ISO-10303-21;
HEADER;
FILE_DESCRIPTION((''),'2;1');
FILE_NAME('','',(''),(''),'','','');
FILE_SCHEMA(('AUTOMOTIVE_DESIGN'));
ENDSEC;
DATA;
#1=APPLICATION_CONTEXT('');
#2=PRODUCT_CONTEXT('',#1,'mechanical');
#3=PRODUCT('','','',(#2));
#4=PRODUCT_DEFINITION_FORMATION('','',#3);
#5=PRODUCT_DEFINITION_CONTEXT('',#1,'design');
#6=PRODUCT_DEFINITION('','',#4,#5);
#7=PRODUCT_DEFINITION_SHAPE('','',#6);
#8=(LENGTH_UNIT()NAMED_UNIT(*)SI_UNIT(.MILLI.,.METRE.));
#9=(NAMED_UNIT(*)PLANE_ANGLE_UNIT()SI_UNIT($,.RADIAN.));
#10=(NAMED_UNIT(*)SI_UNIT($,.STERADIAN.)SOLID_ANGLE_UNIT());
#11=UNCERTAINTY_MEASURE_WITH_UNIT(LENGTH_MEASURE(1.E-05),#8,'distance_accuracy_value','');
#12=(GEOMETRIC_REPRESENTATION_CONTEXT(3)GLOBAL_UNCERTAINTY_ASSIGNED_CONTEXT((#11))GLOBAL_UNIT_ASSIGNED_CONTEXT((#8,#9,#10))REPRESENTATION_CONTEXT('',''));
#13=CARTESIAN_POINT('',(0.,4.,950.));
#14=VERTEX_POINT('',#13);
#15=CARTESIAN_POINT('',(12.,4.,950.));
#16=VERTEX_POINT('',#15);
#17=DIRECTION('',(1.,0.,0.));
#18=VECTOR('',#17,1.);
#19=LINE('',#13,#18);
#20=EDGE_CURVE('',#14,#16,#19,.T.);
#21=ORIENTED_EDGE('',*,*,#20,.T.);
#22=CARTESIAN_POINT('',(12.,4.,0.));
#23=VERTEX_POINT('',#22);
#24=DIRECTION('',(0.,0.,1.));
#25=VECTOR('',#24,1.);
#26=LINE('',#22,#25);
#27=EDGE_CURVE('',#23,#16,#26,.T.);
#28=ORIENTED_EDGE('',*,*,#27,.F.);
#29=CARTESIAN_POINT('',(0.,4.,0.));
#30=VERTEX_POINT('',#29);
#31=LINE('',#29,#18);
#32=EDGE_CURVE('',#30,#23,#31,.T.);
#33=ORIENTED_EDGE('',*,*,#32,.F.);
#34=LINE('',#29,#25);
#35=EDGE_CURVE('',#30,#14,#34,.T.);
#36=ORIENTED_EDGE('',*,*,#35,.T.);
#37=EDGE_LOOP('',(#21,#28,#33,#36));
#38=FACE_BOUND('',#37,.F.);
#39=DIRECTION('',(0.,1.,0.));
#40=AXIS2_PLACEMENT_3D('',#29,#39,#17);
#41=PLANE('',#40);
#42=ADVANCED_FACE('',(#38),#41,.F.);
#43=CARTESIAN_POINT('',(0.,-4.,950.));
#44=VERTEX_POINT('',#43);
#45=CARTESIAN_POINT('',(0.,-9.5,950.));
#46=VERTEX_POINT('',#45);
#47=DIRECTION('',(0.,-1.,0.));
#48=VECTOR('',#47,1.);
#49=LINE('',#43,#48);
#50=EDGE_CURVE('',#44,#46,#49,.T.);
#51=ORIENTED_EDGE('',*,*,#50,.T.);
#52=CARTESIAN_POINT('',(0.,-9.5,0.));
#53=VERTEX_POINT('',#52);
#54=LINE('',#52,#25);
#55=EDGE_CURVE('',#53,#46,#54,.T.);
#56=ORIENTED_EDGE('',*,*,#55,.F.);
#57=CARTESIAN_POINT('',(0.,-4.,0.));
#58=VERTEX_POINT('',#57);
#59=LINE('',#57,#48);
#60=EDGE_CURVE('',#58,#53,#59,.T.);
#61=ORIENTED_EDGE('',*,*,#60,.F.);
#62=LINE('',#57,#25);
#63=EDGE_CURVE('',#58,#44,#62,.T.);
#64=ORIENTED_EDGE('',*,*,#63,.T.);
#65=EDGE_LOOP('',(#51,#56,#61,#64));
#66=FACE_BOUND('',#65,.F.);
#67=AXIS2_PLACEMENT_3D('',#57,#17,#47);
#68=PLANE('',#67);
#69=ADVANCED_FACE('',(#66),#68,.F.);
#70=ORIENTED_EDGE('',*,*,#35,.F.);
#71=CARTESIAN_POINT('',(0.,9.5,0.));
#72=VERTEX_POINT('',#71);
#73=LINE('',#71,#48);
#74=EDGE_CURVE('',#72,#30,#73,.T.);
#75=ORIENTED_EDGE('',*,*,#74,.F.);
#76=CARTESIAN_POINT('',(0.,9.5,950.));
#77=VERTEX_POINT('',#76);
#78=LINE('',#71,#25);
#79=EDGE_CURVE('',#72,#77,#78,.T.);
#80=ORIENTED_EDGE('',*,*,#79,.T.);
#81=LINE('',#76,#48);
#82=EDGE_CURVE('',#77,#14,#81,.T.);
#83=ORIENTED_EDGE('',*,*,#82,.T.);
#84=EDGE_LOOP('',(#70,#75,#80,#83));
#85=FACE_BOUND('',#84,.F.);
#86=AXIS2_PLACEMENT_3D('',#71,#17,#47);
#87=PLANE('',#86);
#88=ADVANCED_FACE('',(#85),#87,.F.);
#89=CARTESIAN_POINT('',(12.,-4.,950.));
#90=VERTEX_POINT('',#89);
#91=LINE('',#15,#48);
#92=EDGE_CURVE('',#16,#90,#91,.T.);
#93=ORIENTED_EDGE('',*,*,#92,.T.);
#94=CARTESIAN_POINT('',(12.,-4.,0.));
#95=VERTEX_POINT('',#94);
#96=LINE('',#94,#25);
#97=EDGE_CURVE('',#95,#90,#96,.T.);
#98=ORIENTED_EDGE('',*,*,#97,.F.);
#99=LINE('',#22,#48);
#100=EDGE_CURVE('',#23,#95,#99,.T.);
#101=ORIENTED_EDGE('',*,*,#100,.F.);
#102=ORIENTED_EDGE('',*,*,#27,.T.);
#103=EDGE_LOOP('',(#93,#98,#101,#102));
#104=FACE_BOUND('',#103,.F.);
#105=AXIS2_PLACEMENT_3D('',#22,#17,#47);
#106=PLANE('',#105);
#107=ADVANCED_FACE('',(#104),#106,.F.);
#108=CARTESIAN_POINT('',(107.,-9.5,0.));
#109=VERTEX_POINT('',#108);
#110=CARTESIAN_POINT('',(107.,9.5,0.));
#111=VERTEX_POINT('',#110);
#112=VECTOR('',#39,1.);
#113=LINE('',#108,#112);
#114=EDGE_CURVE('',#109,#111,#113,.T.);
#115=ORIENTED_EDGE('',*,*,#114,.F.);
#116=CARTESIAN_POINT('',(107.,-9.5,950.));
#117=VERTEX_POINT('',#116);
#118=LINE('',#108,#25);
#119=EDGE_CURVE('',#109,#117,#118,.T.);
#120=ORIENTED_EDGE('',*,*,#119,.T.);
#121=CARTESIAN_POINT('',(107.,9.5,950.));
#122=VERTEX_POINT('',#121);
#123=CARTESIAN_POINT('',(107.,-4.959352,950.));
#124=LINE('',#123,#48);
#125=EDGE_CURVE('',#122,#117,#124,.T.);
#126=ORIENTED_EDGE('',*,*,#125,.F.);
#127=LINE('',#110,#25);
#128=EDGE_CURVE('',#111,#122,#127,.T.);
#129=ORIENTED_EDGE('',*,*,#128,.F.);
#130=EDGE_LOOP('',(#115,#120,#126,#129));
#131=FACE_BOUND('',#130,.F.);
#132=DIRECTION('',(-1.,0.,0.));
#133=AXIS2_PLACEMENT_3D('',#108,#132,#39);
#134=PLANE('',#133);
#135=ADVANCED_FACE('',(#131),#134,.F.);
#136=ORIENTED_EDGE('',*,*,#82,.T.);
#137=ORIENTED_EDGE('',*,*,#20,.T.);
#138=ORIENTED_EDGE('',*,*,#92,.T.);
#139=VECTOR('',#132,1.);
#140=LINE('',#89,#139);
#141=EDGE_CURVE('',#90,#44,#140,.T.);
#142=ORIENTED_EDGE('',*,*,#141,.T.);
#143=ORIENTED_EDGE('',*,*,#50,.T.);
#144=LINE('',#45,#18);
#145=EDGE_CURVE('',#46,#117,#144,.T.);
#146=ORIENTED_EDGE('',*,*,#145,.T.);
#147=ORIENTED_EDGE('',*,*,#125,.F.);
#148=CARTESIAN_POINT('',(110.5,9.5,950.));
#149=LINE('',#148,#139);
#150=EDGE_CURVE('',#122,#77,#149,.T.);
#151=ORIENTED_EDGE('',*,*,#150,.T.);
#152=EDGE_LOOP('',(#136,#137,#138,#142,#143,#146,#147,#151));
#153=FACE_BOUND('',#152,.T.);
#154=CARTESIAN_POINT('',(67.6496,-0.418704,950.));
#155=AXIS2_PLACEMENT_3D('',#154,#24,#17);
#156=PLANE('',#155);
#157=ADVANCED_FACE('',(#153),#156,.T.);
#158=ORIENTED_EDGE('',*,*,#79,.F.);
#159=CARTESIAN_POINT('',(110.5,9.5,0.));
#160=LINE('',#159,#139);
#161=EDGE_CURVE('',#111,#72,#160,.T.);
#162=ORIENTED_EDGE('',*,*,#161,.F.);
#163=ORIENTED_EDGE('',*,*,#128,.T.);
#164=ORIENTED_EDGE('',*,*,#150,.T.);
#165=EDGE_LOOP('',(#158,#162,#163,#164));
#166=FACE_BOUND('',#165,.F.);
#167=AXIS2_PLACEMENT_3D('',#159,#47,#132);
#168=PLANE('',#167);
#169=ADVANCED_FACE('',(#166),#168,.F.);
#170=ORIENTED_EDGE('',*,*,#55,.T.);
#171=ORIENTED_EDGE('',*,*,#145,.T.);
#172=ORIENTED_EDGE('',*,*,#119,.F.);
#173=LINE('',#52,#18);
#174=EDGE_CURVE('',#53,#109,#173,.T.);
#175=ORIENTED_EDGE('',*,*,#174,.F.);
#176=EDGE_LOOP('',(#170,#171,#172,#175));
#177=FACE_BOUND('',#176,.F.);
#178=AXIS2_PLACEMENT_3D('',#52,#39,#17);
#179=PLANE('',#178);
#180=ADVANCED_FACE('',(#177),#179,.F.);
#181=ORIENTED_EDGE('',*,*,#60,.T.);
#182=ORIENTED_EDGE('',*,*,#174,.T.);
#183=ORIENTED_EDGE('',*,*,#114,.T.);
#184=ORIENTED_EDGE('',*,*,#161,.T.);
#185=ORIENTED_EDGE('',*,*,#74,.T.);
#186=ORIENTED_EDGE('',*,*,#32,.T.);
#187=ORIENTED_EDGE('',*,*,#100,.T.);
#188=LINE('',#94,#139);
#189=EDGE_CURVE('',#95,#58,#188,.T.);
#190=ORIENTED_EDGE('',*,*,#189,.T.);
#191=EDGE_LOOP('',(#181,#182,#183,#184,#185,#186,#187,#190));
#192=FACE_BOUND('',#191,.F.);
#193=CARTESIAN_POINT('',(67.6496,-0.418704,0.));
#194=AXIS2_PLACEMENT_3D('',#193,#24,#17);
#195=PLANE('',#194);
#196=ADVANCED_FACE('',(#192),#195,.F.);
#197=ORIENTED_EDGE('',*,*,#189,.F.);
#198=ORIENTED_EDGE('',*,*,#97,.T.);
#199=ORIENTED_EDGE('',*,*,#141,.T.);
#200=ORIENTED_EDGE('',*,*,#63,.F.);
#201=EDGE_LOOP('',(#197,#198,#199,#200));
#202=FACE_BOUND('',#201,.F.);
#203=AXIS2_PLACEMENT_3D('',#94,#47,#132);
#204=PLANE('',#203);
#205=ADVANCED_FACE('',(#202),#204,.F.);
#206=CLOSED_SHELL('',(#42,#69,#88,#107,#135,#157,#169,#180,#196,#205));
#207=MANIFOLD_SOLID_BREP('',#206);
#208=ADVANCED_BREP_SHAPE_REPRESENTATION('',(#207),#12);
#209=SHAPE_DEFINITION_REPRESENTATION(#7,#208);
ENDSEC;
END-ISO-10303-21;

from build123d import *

# Parameters (mm, degrees)
F1_DEPTH = 950
F3_DEPTH = 950.001


with BuildPart() as f1:
    # F0 (on Top) → F1 (new body)
    with BuildSketch(Plane.XY):
        Polygon((0, -4), (0, -9.5), (136, -9.5), (136, -4), (146, -4), (146, 4), (116, 4), (110.5, 9.5), (0, 9.5), (0, 4), (12, 4), (12, -4), align=None)
    extrude(amount=F1_DEPTH)

    # F2 (on face) → F3 (cut, through all)
    with BuildSketch(Plane(origin=(0, 0, 0), x_dir=(1, 0, 0), z_dir=(0, 0, -1))):
        Polygon((107, 9.5), (107, -9.5), (110.5, -9.5), (116, -4), (146, -4), (146, 4), (136, 4), (136, 9.5), align=None)
    extrude(amount=-F3_DEPTH, mode=Mode.SUBTRACT)


solid = f1.part
